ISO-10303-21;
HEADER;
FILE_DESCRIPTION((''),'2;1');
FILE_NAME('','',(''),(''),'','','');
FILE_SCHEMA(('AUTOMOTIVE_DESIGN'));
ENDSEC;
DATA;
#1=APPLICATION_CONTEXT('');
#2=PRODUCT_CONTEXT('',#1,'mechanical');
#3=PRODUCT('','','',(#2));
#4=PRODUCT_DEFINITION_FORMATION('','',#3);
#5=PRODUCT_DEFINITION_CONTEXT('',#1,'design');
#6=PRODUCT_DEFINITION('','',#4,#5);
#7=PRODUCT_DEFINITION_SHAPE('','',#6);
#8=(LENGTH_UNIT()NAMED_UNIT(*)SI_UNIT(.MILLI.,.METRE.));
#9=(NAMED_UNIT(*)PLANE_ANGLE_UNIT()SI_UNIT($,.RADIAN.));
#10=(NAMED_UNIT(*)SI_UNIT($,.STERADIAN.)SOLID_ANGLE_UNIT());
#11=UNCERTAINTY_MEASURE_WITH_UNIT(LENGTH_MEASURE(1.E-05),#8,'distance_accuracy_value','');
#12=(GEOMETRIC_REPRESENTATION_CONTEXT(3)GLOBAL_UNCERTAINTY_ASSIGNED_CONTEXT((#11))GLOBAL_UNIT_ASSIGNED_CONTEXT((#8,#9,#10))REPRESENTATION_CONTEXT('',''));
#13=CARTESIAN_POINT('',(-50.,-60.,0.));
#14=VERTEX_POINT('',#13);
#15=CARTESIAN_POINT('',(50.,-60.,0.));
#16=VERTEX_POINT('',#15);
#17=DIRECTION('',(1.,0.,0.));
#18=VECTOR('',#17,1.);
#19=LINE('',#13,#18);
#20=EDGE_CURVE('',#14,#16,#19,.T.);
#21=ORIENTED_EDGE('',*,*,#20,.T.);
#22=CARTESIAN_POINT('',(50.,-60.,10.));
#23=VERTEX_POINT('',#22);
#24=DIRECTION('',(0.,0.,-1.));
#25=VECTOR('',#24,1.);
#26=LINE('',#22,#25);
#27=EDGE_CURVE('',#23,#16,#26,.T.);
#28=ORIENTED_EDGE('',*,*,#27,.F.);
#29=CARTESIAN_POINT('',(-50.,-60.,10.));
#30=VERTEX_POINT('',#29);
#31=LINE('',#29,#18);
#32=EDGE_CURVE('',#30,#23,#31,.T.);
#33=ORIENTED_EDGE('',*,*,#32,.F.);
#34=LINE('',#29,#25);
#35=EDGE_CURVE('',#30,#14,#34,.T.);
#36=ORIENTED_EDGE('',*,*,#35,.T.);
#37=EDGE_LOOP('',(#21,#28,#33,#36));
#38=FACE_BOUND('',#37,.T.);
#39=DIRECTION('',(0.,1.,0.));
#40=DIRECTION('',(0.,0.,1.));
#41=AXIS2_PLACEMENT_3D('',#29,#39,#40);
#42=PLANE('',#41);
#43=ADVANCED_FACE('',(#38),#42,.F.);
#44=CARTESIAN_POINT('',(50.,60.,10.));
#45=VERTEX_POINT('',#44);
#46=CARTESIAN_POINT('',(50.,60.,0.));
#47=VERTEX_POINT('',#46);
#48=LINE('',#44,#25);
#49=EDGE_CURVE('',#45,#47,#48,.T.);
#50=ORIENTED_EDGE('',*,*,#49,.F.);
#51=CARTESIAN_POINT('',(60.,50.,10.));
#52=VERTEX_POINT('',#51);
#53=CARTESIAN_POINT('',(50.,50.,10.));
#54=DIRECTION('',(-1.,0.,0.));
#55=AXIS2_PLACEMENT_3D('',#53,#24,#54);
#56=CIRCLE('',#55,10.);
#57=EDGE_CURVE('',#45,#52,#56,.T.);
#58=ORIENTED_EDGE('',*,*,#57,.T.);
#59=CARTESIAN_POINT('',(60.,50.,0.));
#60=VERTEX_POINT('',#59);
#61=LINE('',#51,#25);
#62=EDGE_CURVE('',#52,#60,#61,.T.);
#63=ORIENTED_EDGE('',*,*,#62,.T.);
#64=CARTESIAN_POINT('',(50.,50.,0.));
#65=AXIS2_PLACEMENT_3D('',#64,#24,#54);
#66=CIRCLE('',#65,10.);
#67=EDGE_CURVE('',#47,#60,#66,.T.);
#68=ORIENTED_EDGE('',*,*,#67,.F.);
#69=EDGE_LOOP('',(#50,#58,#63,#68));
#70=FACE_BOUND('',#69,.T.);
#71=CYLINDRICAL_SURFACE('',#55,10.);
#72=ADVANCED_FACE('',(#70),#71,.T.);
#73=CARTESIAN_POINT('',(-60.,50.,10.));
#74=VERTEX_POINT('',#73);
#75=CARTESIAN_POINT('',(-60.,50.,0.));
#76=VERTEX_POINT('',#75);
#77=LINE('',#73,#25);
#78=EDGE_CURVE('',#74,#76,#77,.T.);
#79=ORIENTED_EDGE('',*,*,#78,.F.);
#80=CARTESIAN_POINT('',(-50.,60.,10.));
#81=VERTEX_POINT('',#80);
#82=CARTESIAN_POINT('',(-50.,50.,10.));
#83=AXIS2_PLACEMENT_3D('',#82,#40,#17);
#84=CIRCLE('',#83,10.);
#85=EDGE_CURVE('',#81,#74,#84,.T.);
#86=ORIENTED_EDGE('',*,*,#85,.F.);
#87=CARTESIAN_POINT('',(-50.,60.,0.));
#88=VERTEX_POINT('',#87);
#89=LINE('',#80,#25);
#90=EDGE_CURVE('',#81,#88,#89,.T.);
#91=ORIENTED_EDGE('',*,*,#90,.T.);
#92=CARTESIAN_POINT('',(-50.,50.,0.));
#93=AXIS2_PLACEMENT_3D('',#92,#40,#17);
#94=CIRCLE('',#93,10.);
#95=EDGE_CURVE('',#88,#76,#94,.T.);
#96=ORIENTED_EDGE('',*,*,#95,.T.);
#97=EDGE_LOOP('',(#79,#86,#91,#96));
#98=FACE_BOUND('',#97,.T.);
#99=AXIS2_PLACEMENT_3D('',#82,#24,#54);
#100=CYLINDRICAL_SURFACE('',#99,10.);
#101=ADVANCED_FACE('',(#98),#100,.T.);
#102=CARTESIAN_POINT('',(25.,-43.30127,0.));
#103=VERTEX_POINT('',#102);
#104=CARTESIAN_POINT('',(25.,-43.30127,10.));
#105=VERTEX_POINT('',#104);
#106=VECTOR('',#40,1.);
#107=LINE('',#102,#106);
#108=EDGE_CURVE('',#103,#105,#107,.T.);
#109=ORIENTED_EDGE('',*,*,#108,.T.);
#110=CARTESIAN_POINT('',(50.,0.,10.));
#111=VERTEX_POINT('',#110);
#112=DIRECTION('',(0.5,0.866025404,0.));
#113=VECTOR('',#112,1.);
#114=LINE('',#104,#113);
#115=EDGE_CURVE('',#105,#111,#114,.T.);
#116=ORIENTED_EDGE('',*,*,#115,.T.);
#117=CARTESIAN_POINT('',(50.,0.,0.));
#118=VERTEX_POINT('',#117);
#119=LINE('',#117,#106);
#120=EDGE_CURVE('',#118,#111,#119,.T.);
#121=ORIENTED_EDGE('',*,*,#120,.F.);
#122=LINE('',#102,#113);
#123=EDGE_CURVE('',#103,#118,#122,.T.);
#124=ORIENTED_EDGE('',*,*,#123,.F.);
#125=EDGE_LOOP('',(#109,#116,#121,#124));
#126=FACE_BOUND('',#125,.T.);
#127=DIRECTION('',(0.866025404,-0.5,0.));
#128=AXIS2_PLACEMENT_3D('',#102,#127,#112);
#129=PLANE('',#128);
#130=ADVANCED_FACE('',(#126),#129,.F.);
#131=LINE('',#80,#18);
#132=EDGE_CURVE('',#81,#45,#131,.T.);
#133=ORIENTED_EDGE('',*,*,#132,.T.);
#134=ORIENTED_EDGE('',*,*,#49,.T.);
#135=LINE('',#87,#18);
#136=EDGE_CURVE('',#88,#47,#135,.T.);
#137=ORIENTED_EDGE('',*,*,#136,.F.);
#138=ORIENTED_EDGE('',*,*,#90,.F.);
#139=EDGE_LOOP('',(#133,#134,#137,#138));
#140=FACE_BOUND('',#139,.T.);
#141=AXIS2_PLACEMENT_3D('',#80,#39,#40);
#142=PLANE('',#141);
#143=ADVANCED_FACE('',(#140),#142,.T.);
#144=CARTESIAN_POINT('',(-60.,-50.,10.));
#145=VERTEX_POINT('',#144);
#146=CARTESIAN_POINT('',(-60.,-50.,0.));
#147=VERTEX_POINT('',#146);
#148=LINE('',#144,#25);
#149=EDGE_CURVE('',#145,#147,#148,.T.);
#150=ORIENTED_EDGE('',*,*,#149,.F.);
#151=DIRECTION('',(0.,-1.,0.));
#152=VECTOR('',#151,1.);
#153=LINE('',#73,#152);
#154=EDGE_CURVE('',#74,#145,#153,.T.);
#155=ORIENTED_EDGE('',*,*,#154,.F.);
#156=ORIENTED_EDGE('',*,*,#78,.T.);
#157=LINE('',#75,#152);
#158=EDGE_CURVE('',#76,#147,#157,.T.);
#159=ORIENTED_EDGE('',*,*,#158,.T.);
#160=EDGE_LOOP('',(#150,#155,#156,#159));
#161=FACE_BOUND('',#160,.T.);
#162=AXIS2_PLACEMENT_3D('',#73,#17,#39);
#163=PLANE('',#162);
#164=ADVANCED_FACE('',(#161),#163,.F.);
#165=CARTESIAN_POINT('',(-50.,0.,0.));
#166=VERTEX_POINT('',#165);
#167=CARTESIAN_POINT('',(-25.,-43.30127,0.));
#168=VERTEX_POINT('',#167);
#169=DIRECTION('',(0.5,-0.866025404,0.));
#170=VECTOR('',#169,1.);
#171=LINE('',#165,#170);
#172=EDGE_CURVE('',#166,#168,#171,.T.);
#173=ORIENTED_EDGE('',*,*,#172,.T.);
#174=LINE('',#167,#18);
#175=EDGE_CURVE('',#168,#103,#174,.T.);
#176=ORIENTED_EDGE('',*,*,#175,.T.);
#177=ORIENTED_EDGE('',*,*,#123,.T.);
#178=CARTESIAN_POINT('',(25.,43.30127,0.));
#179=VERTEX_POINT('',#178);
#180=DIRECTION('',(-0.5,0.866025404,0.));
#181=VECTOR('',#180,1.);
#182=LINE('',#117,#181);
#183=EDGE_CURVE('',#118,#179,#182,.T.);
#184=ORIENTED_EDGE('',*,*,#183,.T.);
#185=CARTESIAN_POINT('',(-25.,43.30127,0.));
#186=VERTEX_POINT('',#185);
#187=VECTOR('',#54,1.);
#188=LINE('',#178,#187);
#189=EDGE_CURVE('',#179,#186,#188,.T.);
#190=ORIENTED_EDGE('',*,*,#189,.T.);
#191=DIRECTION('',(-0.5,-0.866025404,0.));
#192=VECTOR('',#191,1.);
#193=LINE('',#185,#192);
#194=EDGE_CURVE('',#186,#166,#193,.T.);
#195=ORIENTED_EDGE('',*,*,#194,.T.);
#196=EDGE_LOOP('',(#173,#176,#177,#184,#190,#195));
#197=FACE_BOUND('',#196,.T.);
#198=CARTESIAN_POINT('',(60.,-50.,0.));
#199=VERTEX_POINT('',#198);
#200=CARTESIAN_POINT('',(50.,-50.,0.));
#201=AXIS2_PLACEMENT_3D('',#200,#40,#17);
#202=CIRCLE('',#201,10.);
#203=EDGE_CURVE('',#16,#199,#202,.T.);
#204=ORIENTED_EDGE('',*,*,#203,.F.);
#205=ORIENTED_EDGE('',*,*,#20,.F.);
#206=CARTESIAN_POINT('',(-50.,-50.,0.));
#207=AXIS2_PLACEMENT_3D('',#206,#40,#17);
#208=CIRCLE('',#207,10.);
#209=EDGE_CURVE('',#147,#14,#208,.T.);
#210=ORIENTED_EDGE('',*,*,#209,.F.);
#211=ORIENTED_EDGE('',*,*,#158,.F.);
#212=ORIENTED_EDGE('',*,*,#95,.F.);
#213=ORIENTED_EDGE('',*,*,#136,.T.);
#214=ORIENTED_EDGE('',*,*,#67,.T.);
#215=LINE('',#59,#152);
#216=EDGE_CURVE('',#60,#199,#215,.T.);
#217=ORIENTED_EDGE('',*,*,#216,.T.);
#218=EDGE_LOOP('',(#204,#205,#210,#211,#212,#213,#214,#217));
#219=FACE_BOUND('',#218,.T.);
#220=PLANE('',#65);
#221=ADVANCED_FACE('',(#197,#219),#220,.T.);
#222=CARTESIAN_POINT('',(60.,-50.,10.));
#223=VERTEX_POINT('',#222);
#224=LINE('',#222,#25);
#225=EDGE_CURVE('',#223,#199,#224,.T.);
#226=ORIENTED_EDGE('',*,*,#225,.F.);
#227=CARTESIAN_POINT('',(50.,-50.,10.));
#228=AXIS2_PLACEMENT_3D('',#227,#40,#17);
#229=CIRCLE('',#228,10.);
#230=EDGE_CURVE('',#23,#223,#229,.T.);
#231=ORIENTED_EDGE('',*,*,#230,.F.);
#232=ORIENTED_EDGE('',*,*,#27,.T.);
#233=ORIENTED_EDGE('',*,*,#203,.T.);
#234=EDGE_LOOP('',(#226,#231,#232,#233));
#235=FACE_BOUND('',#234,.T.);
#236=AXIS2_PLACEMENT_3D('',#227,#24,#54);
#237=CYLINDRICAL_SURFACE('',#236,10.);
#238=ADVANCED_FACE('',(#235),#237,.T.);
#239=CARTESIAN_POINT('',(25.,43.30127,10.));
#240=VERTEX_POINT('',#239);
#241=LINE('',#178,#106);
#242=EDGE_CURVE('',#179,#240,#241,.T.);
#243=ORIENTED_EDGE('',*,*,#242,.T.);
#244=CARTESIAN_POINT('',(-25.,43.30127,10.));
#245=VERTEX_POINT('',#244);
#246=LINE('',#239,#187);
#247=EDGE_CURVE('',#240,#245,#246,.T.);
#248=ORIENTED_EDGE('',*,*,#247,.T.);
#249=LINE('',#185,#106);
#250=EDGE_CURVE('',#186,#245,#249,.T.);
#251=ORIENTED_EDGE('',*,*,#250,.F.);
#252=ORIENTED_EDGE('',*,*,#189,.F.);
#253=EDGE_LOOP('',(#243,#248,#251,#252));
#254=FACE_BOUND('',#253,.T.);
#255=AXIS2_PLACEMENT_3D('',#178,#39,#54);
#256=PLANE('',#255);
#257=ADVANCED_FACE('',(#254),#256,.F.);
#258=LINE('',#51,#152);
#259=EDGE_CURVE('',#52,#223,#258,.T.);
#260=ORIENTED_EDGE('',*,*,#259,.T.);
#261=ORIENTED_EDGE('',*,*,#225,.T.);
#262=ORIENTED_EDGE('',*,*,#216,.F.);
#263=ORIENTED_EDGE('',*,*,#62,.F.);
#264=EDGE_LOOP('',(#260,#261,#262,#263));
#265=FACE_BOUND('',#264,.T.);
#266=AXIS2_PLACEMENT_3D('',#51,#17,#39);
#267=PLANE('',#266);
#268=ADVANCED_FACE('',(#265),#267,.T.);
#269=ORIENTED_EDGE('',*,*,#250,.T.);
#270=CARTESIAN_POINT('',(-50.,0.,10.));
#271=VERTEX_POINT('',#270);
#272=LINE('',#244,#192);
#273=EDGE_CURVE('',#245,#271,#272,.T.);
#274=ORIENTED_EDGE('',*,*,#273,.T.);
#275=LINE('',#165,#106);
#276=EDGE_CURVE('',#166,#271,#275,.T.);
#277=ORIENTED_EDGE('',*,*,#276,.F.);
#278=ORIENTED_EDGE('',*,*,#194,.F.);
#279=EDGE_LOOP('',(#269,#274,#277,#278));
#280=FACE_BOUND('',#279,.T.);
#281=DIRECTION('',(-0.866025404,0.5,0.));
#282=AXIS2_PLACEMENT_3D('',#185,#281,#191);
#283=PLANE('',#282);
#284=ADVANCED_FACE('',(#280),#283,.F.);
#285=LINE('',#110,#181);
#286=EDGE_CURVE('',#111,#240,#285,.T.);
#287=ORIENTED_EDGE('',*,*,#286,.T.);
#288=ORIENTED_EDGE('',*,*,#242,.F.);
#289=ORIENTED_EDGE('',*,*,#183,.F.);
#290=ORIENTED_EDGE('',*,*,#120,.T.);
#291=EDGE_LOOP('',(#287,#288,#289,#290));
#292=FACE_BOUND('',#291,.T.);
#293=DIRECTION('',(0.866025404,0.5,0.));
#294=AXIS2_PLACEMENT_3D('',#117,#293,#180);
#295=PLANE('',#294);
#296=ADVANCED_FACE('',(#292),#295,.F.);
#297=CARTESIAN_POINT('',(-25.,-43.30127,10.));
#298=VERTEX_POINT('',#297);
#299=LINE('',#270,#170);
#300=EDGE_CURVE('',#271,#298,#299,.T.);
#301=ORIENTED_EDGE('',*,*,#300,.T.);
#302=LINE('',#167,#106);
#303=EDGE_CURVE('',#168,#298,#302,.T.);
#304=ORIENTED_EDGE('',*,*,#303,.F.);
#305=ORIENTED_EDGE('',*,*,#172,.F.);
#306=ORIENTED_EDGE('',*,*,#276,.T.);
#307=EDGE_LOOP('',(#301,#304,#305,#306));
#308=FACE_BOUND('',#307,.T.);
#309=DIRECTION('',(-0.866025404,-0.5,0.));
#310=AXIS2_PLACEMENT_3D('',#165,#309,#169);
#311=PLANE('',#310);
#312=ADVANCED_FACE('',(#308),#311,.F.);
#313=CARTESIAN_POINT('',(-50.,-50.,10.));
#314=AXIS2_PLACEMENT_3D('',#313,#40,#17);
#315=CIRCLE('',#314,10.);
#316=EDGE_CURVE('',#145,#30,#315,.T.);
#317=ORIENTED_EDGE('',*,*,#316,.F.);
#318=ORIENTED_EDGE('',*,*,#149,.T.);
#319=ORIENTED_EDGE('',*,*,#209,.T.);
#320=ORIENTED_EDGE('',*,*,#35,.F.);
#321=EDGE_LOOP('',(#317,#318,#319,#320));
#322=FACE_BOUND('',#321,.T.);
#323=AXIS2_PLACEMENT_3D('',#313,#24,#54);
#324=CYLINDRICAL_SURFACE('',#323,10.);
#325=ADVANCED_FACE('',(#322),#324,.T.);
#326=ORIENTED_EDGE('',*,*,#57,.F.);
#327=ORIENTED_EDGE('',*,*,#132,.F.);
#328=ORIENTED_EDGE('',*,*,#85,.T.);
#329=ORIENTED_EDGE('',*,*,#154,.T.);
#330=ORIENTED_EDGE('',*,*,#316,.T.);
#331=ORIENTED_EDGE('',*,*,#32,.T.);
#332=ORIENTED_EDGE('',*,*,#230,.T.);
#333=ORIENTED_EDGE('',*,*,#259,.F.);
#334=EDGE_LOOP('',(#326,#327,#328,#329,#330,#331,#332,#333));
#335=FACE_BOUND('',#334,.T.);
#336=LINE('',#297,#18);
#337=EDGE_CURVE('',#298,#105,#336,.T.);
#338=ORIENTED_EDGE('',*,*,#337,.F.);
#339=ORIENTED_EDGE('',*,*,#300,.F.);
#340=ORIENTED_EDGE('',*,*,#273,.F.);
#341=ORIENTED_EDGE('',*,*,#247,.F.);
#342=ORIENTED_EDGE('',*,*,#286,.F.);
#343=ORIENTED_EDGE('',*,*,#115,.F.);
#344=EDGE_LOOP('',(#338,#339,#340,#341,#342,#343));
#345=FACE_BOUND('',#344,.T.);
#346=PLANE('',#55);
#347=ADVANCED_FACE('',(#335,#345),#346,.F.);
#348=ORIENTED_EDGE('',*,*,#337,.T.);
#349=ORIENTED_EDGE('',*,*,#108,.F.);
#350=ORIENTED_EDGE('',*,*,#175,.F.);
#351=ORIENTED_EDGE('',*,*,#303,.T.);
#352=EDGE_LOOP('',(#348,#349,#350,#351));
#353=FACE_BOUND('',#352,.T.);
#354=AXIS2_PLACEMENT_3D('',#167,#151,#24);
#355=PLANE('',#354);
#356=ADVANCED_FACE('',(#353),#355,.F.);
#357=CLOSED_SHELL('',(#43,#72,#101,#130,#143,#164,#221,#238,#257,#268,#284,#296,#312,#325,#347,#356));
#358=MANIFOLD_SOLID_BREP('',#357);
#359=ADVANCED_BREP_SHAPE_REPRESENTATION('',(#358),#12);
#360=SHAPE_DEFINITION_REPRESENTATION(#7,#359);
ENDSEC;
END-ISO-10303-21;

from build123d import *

# Parameters (mm, degrees)
BOSS_EXTRUDE1_DEPTH = 10
CUT_EXTRUDE3_DEPTH  = 10


with BuildPart() as part:
    # Sketch1 → Boss-Extrude1 (new body)
    with BuildSketch(Plane.XY):
        with BuildLine():
            Line((-50, 60), (50, 60))
            ThreePointArc((50, 60), (57.071067812, 57.071067812), (60, 50))
            Line((60, 50), (60, -50))
            ThreePointArc((60, -50), (57.071067812, -57.071067812), (50, -60))
            Line((50, -60), (-50, -60))
            ThreePointArc((-50, -60), (-57.071067812, -57.071067812), (-60, -50))
            Line((-60, -50), (-60, 50))
            ThreePointArc((-60, 50), (-57.071067812, 57.071067812), (-50, 60))
        make_face()
    extrude(amount=BOSS_EXTRUDE1_DEPTH)

    # Sketch3 → Cut-Extrude3 (cut)
    with BuildSketch(Plane.XY.offset(10)):
        Polygon((25, -43.301270189), (50, 0), (25, 43.301270189), (-25, 43.301270189), (-50, 0), (-25, -43.301270189), align=None)
    extrude(amount=-CUT_EXTRUDE3_DEPTH, mode=Mode.SUBTRACT)


solid = part.part
